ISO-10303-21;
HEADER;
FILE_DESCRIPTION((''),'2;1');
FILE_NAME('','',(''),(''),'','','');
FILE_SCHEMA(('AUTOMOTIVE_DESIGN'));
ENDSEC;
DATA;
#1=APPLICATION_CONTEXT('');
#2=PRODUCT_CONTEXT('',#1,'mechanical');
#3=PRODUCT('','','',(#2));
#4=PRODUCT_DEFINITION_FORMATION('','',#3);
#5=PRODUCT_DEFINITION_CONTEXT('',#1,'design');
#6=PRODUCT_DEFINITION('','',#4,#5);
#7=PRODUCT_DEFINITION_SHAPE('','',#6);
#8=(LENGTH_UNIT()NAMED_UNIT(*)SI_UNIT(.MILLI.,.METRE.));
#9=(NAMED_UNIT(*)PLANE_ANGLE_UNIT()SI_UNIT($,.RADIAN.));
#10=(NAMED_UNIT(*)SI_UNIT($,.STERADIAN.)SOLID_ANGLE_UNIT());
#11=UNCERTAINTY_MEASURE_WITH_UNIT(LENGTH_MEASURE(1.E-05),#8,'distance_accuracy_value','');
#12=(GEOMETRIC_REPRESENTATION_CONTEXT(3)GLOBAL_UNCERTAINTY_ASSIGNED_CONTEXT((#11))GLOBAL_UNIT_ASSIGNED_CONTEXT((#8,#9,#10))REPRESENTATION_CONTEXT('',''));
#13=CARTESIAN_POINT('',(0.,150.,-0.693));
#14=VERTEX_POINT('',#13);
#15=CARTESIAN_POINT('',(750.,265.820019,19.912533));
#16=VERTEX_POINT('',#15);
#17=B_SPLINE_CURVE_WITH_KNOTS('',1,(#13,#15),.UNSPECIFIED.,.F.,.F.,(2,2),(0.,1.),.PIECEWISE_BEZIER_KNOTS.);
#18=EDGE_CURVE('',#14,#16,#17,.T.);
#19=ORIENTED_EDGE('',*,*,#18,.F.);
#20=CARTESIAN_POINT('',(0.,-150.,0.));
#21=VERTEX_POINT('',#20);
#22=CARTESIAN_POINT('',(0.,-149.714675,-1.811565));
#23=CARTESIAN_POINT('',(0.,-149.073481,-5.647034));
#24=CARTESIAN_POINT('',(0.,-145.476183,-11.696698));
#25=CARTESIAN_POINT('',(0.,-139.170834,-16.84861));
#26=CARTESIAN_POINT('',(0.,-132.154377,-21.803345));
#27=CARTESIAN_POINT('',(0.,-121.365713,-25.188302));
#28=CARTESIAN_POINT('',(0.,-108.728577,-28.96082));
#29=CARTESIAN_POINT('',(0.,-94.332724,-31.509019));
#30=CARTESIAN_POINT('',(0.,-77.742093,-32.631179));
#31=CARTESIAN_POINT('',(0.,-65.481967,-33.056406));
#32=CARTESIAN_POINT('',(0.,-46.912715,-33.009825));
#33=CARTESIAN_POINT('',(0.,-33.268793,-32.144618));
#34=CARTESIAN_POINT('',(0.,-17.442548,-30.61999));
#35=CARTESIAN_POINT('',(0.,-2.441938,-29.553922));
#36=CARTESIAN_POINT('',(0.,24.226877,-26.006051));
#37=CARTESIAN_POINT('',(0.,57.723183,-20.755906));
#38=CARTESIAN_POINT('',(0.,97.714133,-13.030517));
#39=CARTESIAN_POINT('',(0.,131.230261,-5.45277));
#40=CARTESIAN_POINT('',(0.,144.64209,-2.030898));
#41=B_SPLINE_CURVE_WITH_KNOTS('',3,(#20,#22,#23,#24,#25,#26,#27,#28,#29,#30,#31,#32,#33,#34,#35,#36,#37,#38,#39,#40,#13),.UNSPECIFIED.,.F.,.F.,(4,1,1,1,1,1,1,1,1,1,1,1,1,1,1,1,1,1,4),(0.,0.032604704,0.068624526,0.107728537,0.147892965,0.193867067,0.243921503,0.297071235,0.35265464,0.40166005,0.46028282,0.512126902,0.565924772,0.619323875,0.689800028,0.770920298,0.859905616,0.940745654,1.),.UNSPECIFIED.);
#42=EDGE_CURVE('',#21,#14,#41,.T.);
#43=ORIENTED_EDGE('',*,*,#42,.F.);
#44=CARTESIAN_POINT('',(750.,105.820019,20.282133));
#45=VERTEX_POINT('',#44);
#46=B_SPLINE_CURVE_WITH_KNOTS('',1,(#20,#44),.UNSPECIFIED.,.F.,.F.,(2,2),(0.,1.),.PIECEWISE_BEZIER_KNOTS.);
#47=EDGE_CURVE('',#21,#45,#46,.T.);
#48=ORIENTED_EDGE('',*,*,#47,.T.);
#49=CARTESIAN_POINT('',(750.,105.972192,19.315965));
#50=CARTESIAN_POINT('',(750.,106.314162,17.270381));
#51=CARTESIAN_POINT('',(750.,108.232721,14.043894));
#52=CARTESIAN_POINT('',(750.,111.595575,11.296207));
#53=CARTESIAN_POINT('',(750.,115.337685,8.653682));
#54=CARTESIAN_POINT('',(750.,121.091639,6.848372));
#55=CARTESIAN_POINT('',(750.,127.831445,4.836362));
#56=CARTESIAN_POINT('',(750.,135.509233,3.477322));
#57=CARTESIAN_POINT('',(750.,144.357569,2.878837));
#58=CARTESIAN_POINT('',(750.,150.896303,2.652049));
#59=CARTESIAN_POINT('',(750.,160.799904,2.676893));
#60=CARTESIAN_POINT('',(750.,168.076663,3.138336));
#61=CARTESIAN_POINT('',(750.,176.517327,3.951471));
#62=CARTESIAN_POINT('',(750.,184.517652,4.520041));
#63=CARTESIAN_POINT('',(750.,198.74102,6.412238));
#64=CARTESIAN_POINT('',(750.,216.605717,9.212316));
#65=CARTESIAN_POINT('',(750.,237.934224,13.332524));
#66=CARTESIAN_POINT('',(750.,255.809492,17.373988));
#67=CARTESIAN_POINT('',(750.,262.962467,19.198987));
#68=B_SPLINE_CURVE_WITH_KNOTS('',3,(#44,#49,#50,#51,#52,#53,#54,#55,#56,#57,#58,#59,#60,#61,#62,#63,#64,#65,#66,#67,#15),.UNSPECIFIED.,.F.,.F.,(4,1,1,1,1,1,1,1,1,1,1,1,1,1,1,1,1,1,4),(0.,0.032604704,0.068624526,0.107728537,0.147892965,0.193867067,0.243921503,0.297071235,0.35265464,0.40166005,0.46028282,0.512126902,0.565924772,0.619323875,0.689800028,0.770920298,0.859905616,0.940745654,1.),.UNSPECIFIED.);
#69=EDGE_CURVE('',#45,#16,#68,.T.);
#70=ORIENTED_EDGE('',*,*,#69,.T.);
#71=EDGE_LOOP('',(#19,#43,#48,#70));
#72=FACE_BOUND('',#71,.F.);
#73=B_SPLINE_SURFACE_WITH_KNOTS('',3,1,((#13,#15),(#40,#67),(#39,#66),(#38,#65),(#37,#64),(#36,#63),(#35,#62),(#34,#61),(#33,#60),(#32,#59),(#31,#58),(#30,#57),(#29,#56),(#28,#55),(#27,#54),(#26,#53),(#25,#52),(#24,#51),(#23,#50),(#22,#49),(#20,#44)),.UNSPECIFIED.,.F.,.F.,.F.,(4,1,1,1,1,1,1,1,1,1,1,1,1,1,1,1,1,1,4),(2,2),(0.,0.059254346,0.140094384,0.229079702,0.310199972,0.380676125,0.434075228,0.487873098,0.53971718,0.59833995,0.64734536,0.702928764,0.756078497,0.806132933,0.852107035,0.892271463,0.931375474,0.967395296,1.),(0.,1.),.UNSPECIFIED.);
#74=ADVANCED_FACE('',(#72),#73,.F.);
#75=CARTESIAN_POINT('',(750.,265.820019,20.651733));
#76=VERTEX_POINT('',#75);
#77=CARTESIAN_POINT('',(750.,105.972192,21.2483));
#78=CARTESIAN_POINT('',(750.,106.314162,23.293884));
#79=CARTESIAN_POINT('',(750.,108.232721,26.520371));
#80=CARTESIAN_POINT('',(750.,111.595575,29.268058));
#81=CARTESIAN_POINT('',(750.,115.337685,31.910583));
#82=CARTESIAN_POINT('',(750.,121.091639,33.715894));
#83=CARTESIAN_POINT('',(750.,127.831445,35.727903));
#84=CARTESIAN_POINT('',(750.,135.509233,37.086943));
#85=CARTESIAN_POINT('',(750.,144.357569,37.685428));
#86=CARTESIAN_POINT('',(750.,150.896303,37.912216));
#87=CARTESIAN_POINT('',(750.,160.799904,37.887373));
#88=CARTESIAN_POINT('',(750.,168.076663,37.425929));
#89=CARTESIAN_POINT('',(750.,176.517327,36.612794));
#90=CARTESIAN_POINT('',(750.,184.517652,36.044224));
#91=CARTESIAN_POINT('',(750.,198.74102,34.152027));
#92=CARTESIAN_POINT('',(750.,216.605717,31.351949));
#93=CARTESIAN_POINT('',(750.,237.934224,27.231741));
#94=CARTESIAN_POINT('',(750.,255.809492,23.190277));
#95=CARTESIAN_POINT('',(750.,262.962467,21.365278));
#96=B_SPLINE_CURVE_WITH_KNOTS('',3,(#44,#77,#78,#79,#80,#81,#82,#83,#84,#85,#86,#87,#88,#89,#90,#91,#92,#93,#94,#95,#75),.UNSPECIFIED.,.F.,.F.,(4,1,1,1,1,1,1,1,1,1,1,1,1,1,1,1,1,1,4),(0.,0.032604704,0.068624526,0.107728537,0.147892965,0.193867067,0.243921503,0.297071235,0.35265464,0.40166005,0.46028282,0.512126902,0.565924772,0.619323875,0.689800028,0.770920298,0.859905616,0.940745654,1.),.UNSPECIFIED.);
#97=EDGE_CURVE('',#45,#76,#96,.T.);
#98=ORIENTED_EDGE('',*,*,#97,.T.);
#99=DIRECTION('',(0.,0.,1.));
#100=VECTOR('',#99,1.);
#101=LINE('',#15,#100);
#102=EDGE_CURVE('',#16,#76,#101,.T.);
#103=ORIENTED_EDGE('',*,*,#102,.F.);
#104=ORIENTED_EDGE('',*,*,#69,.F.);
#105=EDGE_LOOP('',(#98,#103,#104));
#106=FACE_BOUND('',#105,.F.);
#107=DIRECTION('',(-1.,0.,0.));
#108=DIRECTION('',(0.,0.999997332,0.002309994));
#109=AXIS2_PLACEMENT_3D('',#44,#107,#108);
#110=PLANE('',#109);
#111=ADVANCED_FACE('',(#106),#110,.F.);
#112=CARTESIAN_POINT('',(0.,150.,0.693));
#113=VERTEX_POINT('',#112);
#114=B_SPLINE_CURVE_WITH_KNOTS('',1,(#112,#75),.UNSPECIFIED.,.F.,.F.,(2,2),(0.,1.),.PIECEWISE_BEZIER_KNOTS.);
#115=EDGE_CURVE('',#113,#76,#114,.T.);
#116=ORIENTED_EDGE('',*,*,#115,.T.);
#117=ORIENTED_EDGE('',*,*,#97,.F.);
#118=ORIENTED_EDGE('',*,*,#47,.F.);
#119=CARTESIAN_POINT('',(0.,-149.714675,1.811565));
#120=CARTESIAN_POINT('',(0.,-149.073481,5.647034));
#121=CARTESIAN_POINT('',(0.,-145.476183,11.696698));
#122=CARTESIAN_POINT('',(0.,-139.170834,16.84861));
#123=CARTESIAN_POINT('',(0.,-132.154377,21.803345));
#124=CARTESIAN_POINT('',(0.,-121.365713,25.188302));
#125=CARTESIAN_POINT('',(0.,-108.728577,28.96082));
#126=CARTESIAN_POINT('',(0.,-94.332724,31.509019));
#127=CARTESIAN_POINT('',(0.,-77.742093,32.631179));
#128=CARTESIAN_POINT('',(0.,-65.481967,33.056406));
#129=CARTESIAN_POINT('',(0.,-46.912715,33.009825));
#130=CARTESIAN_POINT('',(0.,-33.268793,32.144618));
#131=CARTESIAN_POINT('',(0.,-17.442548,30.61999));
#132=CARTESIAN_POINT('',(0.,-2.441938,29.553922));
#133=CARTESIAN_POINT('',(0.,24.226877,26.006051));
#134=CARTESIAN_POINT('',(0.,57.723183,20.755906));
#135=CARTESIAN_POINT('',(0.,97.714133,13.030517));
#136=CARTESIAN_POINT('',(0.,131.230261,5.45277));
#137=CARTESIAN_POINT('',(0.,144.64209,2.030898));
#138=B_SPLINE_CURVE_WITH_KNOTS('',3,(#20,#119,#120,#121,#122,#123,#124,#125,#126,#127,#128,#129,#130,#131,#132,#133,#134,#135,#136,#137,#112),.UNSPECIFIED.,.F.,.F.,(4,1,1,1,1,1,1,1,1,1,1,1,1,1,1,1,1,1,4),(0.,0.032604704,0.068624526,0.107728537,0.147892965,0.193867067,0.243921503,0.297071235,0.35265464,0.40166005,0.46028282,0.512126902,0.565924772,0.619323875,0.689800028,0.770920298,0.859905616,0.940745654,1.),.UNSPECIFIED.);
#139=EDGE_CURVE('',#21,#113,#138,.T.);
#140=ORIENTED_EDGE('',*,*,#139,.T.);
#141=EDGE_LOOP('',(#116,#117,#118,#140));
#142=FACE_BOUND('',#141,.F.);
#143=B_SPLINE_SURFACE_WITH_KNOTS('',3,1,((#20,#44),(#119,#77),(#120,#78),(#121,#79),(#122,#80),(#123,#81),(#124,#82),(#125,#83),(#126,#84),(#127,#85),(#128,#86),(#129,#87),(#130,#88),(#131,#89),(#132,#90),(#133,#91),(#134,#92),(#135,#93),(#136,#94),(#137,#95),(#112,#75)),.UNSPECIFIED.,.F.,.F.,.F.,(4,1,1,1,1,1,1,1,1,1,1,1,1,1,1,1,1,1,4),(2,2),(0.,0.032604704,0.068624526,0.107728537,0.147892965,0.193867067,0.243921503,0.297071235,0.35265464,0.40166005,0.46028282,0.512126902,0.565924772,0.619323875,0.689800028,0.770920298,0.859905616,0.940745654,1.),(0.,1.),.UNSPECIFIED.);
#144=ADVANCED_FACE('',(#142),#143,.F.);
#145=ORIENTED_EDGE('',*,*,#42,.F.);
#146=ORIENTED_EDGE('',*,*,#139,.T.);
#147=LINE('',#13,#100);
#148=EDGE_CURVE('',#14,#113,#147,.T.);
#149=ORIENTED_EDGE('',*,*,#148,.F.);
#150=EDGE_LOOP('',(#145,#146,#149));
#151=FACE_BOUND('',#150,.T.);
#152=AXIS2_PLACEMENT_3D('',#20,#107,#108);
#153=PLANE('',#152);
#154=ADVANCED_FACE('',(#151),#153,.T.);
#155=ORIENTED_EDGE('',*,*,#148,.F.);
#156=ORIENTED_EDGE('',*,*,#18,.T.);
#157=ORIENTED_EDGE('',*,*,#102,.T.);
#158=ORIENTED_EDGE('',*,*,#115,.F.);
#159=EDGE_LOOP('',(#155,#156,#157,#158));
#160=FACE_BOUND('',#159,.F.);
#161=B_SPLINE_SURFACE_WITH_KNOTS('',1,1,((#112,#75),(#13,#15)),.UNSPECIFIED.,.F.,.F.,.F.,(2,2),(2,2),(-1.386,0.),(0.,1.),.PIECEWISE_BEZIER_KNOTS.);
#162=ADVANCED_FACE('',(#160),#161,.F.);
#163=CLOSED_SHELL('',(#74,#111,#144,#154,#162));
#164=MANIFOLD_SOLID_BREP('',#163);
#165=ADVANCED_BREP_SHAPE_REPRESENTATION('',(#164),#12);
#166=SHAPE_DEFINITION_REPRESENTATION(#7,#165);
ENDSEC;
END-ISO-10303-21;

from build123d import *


with BuildPart() as f4:
    # F1 (on Right) → F4 section 0
    with BuildSketch(Plane.YZ):
        with BuildLine():
            add(Edge.make_bspline(
                [(-150, 0), (-149.7146749537, 1.8115647), (-149.0734814116, 5.6470338102), (-145.4761833388, 11.6966979777), (-139.1708336246, 16.8486097594), (-132.1543767263, 21.8033453541), (-121.3657125648, 25.1883018518), (-108.7285771597, 28.9608198539), (-94.3327240613, 31.5090192908), (-77.7420933691, 32.6311785179), (-65.4819672859, 33.056406073), (-46.9127152308, 33.0098250924), (-33.2687926766, 32.1446183353), (-17.4425475163, 30.6199899727), (-2.4419375756, 29.5539217631), (24.226876626, 26.0060513811), (57.7231830373, 20.7559060024), (97.714133373, 13.0305165026), (131.2302614252, 5.4527704223), (144.642090093, 2.0308976609), (150, 0.693)],
                knots=[0, 0, 0, 0, 0.0326047043, 0.0686245258, 0.1077285372, 0.1478929652, 0.1938670674, 0.243921503, 0.2970712355, 0.3526546402, 0.4016600499, 0.4602828197, 0.5121269023, 0.5659247717, 0.6193238748, 0.6898000277, 0.7709202976, 0.8599056164, 0.9407456542, 1, 1, 1, 1], degree=3))
            add(Edge.make_bspline(
                [(-150, 0), (-149.7146749537, -1.8115647), (-149.0734814116, -5.6470338102), (-145.4761833388, -11.6966979777), (-139.1708336246, -16.8486097594), (-132.1543767263, -21.8033453541), (-121.3657125648, -25.1883018518), (-108.7285771597, -28.9608198539), (-94.3327240613, -31.5090192908), (-77.7420933691, -32.6311785179), (-65.4819672859, -33.056406073), (-46.9127152308, -33.0098250924), (-33.2687926766, -32.1446183353), (-17.4425475163, -30.6199899727), (-2.4419375756, -29.5539217631), (24.226876626, -26.0060513811), (57.7231830373, -20.7559060024), (97.714133373, -13.0305165026), (131.2302614252, -5.4527704223), (144.642090093, -2.0308976609), (150, -0.693)],
                knots=[0, 0, 0, 0, 0.0326047043, 0.0686245258, 0.1077285372, 0.1478929652, 0.1938670674, 0.243921503, 0.2970712355, 0.3526546402, 0.4016600499, 0.4602828197, 0.5121269023, 0.5659247717, 0.6193238748, 0.6898000277, 0.7709202976, 0.8599056164, 0.9407456542, 1, 1, 1, 1], degree=3))
            Line((150, -0.693), (150, 0))
            Line((150, 0), (150, 0.693))
        make_face()
    # F3 (on offset) → F4 section 1
    with BuildSketch(Plane.YZ.offset(750)):
        with BuildLine():
            add(Edge.make_bspline(
                [(105.8200191247, 20.2821325511), (105.9721924828, 21.2483003911), (106.3141623719, 23.2938839165), (108.2327213441, 26.5203714725), (111.595574525, 29.2680577561), (115.3376848707, 31.9105834066), (121.0916390902, 33.7158935387), (127.8314446396, 35.7279031398), (135.5092329587, 37.0869428395), (144.3575693279, 37.6854277606), (150.8963032389, 37.91221579), (160.799904335, 37.8873726004), (168.0766630306, 37.4259289966), (176.517327116, 36.6127938698), (184.5176524178, 36.0442241581), (198.7410199919, 34.152026621), (216.6057167446, 31.3519490857), (237.9342235904, 27.2317413524), (255.8094918848, 23.1902767763), (262.9624671744, 21.3652779702), (265.8200191247, 20.6517325511)],
                knots=[0, 0, 0, 0, 0.0326047043, 0.0686245258, 0.1077285372, 0.1478929652, 0.1938670674, 0.243921503, 0.2970712355, 0.3526546402, 0.4016600499, 0.4602828197, 0.5121269023, 0.5659247717, 0.6193238748, 0.6898000277, 0.7709202976, 0.8599056164, 0.9407456542, 1, 1, 1, 1], degree=3))
            add(Edge.make_bspline(
                [(105.8200191247, 20.2821325511), (105.9721924828, 19.3159647111), (106.3141623719, 17.2703811856), (108.2327213441, 14.0438936296), (111.595574525, 11.2962073461), (115.3376848707, 8.6536816956), (121.0916390902, 6.8483715634), (127.8314446396, 4.8363619623), (135.5092329587, 3.4773222627), (144.3575693279, 2.8788373415), (150.8963032389, 2.6520493121), (160.799904335, 2.6768925018), (168.0766630306, 3.1383361056), (176.517327116, 3.9514712323), (184.5176524178, 4.5200409441), (198.7410199919, 6.4122384812), (216.6057167446, 9.2123160165), (237.9342235904, 13.3325237497), (255.8094918848, 17.3739883258), (262.9624671744, 19.1989871319), (265.8200191247, 19.9125325511)],
                knots=[0, 0, 0, 0, 0.0326047043, 0.0686245258, 0.1077285372, 0.1478929652, 0.1938670674, 0.243921503, 0.2970712355, 0.3526546402, 0.4016600499, 0.4602828197, 0.5121269023, 0.5659247717, 0.6193238748, 0.6898000277, 0.7709202976, 0.8599056164, 0.9407456542, 1, 1, 1, 1], degree=3))
            Line((265.8200191247, 19.9125325511), (265.8200191247, 20.2821325511))
            Line((265.8200191247, 20.2821325511), (265.8200191247, 20.6517325511))
        make_face()
    loft()


solid = f4.part
